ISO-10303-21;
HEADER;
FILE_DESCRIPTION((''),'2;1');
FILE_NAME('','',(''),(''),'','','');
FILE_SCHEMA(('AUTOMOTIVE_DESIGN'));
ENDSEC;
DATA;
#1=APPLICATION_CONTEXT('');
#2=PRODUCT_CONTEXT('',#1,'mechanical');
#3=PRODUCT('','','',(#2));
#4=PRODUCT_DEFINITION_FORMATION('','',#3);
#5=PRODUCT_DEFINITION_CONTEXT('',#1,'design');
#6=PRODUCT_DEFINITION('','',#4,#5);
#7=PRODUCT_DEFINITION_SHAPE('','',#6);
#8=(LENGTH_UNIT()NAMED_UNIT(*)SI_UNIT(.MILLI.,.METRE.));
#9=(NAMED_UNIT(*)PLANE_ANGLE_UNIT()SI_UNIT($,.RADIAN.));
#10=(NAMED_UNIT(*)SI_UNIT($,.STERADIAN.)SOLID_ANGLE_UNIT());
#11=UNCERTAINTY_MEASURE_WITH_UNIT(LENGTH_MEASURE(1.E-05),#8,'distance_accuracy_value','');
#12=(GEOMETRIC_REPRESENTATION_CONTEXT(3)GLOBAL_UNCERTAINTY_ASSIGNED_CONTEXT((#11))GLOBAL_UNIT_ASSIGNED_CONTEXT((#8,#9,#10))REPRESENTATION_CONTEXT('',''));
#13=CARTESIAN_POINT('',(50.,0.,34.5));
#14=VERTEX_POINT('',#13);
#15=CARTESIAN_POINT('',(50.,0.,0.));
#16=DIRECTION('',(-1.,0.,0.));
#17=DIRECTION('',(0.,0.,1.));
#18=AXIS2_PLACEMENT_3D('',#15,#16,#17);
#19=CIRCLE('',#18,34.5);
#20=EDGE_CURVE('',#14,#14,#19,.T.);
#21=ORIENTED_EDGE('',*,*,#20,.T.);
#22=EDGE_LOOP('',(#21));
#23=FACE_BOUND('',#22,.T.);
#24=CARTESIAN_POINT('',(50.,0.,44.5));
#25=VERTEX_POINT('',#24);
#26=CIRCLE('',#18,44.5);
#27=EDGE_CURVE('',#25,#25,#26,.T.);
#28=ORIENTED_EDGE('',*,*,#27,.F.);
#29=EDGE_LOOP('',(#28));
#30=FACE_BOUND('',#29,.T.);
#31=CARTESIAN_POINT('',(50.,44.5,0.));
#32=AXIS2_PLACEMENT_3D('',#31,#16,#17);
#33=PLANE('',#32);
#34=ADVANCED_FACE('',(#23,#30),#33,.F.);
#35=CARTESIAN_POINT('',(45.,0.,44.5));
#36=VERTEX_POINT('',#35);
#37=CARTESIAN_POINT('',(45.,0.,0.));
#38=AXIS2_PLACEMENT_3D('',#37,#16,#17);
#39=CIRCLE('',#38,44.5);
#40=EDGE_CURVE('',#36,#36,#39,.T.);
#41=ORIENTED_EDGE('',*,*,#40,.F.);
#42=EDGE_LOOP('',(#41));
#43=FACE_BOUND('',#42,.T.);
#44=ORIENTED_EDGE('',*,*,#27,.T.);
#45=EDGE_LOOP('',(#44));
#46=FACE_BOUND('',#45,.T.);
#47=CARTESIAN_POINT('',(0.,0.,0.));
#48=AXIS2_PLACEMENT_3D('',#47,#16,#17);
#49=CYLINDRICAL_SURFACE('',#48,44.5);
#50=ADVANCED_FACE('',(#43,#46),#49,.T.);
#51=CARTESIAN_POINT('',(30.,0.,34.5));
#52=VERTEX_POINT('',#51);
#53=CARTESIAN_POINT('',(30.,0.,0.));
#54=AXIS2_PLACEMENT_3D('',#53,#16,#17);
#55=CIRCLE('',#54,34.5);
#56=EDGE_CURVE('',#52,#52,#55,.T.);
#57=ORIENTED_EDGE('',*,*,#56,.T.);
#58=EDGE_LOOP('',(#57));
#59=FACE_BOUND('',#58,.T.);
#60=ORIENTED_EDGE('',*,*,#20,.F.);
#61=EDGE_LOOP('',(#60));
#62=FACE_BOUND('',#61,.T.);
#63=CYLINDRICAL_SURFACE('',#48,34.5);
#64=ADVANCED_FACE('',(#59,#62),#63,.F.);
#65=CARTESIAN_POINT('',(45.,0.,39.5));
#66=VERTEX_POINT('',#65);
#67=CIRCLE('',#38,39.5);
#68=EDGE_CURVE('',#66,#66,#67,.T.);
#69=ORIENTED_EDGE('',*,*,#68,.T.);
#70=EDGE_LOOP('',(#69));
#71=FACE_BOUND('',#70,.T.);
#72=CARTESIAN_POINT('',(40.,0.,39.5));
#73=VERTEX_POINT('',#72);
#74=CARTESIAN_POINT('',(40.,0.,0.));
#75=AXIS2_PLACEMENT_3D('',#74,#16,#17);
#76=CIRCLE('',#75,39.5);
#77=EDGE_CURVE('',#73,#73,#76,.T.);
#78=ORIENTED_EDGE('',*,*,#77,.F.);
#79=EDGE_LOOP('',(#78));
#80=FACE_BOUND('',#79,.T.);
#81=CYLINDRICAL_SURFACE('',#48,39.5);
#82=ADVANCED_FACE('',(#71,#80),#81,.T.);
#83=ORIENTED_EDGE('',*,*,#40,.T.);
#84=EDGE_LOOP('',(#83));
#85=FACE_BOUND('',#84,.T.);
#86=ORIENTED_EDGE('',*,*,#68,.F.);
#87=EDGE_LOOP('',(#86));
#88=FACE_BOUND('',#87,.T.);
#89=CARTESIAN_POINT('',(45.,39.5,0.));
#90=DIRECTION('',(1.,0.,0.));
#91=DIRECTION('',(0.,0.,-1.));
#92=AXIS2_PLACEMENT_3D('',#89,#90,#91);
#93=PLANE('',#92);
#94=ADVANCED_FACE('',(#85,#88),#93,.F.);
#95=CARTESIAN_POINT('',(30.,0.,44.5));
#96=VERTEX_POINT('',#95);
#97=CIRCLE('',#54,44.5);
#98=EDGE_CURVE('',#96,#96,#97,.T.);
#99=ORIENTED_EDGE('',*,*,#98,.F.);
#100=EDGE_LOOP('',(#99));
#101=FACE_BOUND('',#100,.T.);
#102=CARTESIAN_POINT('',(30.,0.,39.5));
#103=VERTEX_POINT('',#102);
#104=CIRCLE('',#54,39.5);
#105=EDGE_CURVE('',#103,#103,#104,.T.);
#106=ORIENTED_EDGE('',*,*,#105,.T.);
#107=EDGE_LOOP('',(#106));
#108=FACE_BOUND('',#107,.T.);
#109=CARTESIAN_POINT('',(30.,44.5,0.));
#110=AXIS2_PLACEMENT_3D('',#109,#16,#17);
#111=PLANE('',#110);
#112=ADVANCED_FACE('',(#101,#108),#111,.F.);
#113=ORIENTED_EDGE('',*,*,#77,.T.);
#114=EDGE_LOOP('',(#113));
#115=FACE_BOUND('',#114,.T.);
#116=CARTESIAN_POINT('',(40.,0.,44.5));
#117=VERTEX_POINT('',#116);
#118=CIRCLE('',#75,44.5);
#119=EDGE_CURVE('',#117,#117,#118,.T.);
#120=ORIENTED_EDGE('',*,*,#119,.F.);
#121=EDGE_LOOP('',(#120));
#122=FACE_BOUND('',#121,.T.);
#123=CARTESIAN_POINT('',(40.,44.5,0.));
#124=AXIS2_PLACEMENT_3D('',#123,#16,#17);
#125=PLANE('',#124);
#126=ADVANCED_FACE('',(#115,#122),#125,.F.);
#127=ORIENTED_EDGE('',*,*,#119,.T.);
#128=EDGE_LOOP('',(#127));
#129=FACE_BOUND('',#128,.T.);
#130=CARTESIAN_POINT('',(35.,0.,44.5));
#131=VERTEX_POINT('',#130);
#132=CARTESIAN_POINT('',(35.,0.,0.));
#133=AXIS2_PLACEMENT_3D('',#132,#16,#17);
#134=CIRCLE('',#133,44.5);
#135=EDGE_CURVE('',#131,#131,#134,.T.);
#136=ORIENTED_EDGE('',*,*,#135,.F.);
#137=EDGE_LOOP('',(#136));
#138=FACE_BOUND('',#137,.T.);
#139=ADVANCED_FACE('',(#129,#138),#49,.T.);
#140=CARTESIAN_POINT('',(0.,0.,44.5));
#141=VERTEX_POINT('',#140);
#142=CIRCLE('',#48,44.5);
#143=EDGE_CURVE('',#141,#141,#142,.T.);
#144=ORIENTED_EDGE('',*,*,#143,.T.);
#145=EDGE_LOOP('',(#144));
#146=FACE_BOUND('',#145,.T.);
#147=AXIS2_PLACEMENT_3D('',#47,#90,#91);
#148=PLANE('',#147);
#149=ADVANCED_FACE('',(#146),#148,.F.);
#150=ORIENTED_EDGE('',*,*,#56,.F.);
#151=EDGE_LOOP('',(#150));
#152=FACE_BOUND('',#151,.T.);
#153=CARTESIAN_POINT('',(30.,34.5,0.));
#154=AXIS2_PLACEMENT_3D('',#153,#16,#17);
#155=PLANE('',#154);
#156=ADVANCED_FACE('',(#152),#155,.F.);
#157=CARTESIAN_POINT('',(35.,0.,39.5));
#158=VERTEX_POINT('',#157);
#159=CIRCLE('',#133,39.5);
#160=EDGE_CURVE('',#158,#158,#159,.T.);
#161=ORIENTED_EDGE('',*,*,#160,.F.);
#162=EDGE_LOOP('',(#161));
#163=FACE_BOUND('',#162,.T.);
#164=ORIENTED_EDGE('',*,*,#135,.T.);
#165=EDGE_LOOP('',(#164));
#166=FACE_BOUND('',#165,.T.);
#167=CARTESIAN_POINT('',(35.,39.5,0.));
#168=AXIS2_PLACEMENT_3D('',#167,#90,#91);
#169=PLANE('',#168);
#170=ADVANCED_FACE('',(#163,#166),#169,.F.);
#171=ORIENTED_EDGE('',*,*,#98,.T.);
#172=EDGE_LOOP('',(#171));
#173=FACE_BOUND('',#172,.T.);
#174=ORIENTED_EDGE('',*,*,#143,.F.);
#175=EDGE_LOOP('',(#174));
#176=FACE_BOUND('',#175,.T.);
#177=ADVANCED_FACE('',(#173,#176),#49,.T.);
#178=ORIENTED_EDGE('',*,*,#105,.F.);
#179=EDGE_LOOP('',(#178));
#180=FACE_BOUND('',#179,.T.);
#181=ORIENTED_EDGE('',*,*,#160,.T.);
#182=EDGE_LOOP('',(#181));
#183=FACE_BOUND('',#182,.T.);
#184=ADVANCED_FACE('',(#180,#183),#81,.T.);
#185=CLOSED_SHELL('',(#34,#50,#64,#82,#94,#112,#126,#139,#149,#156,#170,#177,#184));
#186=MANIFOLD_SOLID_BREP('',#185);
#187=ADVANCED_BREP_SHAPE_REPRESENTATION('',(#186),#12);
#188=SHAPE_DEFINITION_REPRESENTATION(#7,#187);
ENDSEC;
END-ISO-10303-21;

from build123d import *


with BuildPart() as part:
    # Sketch1 → Revolve1 (revolve)
    with BuildSketch(Plane.XY):
        Polygon((0, 0), (0, 44.5), (30, 44.5), (30, 39.5), (35, 39.5), (35, 44.5), (40, 44.5), (40, 39.5), (45, 39.5), (45, 44.5), (50, 44.5), (50, 34.5), (30, 34.5), (30, 0), align=None)
    revolve(axis=Axis((0, 0, 0), (1, 0, 0)))


solid = part.part
